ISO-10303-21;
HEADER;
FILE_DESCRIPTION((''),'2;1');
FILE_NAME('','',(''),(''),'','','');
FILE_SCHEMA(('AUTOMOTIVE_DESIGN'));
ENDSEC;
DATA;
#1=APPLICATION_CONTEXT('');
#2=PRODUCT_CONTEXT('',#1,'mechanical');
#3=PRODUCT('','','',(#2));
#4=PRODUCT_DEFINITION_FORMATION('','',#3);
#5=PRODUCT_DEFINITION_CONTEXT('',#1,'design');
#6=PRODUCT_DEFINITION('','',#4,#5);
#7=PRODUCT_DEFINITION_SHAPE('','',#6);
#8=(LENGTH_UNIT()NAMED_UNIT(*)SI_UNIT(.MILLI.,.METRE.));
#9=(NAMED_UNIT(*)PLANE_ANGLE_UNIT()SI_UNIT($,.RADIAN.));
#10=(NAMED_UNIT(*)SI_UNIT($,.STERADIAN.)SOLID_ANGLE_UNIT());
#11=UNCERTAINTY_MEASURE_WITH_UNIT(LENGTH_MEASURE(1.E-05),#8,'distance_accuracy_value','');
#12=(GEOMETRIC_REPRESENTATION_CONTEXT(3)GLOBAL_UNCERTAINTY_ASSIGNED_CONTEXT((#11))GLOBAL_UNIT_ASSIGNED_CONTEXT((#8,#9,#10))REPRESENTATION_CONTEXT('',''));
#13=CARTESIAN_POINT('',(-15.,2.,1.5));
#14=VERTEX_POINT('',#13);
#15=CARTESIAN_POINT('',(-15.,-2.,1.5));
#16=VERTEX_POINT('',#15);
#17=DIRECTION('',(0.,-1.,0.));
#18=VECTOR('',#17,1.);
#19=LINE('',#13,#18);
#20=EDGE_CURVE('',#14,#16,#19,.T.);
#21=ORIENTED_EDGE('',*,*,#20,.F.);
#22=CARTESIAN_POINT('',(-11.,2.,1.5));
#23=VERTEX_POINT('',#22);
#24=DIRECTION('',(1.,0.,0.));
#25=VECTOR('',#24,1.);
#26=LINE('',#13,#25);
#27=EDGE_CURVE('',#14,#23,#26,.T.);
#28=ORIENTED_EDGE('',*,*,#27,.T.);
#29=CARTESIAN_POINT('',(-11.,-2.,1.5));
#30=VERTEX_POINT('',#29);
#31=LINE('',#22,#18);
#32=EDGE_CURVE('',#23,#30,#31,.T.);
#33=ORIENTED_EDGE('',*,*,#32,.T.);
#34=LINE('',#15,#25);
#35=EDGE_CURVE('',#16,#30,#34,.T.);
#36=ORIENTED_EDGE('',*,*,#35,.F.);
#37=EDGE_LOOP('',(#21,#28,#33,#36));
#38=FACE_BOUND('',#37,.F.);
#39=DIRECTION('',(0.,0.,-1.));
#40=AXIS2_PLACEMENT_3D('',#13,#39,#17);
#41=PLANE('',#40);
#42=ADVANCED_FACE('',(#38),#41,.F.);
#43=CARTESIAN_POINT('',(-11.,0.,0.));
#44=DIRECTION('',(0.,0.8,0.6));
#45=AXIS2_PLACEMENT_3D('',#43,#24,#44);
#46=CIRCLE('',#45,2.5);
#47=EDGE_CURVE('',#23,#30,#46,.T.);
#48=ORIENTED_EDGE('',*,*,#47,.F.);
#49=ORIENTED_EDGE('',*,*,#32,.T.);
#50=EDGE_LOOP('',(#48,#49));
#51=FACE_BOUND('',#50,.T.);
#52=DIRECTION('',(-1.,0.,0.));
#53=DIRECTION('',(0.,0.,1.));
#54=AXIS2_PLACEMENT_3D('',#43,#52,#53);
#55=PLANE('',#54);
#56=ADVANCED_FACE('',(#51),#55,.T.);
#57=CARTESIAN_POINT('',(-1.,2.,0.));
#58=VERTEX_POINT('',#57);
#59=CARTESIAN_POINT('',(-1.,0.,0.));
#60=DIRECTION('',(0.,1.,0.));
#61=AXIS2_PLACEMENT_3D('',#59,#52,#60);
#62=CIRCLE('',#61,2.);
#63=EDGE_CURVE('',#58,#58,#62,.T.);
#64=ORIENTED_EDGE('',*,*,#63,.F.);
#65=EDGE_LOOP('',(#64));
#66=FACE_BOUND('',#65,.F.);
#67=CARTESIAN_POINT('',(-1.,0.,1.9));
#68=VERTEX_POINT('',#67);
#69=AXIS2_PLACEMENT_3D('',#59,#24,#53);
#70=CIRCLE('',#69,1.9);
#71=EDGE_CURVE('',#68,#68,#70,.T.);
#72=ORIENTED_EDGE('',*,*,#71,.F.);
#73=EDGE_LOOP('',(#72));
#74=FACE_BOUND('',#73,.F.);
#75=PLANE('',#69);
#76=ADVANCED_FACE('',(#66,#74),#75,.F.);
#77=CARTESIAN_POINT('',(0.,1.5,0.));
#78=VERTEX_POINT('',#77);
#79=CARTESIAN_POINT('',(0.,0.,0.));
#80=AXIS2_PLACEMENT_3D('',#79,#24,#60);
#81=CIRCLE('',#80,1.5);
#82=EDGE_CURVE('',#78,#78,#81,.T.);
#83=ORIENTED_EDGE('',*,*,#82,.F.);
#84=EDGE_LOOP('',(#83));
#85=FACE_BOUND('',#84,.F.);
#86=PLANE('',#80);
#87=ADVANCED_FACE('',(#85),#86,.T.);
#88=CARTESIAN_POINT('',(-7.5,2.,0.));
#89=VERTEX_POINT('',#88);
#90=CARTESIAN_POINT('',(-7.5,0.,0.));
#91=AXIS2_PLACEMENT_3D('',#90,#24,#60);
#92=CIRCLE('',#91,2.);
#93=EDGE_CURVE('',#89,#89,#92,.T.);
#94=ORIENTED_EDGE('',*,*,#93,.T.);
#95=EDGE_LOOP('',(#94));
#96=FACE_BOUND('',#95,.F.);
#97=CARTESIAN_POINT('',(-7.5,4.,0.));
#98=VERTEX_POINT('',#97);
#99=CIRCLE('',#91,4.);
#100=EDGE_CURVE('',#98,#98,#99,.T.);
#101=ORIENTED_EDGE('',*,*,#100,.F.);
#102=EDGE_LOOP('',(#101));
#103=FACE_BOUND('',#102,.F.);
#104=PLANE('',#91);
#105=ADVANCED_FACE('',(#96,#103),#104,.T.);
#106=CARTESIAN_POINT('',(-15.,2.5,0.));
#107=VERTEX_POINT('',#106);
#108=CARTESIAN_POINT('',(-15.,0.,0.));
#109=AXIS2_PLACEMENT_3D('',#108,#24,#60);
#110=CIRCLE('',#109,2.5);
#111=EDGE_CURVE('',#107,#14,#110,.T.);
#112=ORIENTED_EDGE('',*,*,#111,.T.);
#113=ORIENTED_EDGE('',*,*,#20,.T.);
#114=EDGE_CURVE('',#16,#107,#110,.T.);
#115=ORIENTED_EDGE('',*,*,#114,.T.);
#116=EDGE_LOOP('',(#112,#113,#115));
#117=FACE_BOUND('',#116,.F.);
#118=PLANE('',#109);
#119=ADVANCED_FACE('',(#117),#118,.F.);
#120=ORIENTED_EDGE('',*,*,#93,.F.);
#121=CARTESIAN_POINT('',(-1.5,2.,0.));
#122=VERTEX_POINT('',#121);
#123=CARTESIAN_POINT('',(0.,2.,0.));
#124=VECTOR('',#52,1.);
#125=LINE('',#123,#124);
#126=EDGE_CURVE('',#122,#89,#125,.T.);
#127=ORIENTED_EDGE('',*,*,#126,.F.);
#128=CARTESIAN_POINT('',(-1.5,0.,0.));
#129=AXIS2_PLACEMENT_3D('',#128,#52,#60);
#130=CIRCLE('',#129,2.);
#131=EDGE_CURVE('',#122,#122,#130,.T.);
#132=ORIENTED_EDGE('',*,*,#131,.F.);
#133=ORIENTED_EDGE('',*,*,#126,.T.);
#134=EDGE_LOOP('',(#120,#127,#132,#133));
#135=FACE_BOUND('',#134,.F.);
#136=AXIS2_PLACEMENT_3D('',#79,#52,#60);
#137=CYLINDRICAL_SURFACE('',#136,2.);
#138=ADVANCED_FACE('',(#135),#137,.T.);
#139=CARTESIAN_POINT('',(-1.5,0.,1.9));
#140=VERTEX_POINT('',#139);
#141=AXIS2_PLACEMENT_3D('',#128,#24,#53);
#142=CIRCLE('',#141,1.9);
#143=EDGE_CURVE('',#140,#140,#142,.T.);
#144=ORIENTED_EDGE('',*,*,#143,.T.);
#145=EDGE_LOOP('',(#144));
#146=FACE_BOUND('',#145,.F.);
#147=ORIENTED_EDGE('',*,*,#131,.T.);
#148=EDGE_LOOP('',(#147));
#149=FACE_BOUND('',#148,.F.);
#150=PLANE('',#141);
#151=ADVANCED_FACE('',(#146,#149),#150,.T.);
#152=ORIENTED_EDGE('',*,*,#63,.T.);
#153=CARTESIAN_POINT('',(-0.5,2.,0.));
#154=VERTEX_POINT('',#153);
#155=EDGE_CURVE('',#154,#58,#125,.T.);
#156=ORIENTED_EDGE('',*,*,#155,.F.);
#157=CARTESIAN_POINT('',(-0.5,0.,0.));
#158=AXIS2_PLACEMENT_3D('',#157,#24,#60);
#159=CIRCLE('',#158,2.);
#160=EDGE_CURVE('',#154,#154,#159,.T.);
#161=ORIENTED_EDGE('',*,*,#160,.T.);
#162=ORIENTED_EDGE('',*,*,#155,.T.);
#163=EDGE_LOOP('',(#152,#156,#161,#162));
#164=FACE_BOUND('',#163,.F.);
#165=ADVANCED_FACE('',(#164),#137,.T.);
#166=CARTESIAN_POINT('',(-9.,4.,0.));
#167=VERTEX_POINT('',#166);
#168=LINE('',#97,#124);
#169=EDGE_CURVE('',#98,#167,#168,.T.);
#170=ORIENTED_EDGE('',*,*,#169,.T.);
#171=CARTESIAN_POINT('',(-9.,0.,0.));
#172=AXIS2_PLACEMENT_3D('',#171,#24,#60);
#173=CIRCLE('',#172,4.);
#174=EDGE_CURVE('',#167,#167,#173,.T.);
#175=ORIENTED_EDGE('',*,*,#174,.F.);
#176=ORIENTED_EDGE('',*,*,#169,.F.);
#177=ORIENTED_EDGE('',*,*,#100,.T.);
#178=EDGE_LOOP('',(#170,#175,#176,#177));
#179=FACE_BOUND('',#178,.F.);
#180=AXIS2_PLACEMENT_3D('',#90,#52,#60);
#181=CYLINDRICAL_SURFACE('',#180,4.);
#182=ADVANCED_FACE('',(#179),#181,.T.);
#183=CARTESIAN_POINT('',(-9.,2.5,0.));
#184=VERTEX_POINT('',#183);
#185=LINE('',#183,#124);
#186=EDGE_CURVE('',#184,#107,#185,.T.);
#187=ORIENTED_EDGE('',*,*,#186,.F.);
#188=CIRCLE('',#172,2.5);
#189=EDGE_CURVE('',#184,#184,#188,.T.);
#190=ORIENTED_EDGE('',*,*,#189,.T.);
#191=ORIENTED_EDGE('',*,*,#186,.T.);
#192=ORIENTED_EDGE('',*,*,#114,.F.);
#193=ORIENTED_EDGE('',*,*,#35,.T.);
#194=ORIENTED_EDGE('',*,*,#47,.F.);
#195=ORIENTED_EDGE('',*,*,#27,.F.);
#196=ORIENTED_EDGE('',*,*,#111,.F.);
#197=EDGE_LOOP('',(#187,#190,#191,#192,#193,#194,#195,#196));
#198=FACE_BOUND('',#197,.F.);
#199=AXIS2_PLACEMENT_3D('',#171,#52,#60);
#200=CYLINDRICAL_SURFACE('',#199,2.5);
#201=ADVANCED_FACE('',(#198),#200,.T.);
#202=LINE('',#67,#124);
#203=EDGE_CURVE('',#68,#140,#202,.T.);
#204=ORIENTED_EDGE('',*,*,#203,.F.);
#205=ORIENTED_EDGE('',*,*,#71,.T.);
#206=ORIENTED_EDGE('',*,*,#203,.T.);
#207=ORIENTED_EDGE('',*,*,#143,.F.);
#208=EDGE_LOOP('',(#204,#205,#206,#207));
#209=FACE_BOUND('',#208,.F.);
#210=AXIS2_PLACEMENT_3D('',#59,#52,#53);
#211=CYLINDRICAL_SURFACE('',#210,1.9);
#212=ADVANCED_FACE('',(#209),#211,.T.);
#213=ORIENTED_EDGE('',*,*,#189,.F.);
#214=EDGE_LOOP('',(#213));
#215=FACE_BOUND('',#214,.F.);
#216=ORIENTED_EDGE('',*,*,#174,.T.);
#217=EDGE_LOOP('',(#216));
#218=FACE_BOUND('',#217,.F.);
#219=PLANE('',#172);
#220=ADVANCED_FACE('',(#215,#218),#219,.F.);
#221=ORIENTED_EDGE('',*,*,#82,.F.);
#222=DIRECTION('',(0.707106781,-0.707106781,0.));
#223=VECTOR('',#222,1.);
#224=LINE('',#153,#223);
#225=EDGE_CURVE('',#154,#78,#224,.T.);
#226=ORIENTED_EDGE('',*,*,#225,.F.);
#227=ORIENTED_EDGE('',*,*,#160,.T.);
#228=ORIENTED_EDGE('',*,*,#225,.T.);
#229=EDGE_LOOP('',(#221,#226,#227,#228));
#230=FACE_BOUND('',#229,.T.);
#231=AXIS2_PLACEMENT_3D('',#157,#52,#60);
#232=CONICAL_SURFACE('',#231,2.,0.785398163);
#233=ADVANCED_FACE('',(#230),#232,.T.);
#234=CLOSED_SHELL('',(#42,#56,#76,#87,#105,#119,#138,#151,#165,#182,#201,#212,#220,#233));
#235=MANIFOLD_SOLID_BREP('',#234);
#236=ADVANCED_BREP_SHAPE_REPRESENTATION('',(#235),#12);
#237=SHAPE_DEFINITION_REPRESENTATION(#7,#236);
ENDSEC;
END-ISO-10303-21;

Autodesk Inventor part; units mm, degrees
ref_plane "YZ Plane" through (0, 0, 0) normal (1, 0, 0) x (0, 1, 0)
ref_plane "XZ Plane" through (0, 0, 0) normal (0, 1, 0) x (-1, 0, 0)
ref_plane "XY Plane" through (0, 0, 0) normal (0, 0, 1) x (1, 0, 0)
sketch "Skizze1" plane through (0, 0, 0) normal (0, 0, 1) x (1, 0, 0)
  line L0 (-18, 0) -> (3, 0) projected
  line L1 (0, -0.8) -> (0, 4.8) projected
  line L2 (0, 2) -> (-7.5, 2)
  line L3 (-7.5, 2) -> (-7.5, 4)
  line L4 (-7.5, 4) -> (-9, 4)
  line L5 (-9, 4) -> (-9, 2.5)
  line L6 (-9, 2.5) -> (-15, 2.5)
  line L7 (-15, 2.5) -> (-15, 0)
  line L8 (-15, 0) -> (0, 0)
  line L9 (0, 0) -> (0, 2)
  dimension "d0" = 4
  dimension "d1" = 8
  dimension "d2" = 5
  dimension "d3" = 7.5
  dimension "d4" = 1.5
  dimension "d5" = 6
revolve "Umdrehung1" add sketch "Skizze1" angle 360 about axis through (-10, 0, 0) along (1, 0, 0)
sketch "Skizze2" plane through (-15, 0, 0) normal (-1, 0, 0) x (0, 0, 1)
  circle A0 centre (0, 0) radius 2.5 projected
  line L0 (1.5, 2) -> (1.5, -2)
  dimension "d7" = 1
extrude "Extrusion1" cut sketch "Skizze2" against normal blind 4 contours A0 L0 picked at (1.6398, 0.534)
sketch "Skizze3" plane through (0, 0, 0) normal (0, 1, 0) x (-1, 0, 0)
  line L0 (1.5, 2) -> (1, 2)
  line L1 (1, 2) -> (1, 1.9)
  line L2 (1, 1.9) -> (1.5, 1.9)
  line L3 (1.5, 1.9) -> (1.5, 2)
  line L4 (2.4, 0) -> (-0.4, 0) projected
  line L5 (0, -0.4) -> (0, 2.4) projected
  point P0 (0, 0)
  dimension "d10" = 3.8
  dimension "d11" = 1.5
  dimension "d12" = 0.5
  dimension "d13" = 4
revolve "Umdrehung2" cut sketch "Skizze3" angle 360 about axis through (-10, 0, 0) along (1, 0, 0)
chamfer "Fase1" distance 0.5 angle 45 1 edges at (0, -2, 0)
properties part number "13_1087_016"
